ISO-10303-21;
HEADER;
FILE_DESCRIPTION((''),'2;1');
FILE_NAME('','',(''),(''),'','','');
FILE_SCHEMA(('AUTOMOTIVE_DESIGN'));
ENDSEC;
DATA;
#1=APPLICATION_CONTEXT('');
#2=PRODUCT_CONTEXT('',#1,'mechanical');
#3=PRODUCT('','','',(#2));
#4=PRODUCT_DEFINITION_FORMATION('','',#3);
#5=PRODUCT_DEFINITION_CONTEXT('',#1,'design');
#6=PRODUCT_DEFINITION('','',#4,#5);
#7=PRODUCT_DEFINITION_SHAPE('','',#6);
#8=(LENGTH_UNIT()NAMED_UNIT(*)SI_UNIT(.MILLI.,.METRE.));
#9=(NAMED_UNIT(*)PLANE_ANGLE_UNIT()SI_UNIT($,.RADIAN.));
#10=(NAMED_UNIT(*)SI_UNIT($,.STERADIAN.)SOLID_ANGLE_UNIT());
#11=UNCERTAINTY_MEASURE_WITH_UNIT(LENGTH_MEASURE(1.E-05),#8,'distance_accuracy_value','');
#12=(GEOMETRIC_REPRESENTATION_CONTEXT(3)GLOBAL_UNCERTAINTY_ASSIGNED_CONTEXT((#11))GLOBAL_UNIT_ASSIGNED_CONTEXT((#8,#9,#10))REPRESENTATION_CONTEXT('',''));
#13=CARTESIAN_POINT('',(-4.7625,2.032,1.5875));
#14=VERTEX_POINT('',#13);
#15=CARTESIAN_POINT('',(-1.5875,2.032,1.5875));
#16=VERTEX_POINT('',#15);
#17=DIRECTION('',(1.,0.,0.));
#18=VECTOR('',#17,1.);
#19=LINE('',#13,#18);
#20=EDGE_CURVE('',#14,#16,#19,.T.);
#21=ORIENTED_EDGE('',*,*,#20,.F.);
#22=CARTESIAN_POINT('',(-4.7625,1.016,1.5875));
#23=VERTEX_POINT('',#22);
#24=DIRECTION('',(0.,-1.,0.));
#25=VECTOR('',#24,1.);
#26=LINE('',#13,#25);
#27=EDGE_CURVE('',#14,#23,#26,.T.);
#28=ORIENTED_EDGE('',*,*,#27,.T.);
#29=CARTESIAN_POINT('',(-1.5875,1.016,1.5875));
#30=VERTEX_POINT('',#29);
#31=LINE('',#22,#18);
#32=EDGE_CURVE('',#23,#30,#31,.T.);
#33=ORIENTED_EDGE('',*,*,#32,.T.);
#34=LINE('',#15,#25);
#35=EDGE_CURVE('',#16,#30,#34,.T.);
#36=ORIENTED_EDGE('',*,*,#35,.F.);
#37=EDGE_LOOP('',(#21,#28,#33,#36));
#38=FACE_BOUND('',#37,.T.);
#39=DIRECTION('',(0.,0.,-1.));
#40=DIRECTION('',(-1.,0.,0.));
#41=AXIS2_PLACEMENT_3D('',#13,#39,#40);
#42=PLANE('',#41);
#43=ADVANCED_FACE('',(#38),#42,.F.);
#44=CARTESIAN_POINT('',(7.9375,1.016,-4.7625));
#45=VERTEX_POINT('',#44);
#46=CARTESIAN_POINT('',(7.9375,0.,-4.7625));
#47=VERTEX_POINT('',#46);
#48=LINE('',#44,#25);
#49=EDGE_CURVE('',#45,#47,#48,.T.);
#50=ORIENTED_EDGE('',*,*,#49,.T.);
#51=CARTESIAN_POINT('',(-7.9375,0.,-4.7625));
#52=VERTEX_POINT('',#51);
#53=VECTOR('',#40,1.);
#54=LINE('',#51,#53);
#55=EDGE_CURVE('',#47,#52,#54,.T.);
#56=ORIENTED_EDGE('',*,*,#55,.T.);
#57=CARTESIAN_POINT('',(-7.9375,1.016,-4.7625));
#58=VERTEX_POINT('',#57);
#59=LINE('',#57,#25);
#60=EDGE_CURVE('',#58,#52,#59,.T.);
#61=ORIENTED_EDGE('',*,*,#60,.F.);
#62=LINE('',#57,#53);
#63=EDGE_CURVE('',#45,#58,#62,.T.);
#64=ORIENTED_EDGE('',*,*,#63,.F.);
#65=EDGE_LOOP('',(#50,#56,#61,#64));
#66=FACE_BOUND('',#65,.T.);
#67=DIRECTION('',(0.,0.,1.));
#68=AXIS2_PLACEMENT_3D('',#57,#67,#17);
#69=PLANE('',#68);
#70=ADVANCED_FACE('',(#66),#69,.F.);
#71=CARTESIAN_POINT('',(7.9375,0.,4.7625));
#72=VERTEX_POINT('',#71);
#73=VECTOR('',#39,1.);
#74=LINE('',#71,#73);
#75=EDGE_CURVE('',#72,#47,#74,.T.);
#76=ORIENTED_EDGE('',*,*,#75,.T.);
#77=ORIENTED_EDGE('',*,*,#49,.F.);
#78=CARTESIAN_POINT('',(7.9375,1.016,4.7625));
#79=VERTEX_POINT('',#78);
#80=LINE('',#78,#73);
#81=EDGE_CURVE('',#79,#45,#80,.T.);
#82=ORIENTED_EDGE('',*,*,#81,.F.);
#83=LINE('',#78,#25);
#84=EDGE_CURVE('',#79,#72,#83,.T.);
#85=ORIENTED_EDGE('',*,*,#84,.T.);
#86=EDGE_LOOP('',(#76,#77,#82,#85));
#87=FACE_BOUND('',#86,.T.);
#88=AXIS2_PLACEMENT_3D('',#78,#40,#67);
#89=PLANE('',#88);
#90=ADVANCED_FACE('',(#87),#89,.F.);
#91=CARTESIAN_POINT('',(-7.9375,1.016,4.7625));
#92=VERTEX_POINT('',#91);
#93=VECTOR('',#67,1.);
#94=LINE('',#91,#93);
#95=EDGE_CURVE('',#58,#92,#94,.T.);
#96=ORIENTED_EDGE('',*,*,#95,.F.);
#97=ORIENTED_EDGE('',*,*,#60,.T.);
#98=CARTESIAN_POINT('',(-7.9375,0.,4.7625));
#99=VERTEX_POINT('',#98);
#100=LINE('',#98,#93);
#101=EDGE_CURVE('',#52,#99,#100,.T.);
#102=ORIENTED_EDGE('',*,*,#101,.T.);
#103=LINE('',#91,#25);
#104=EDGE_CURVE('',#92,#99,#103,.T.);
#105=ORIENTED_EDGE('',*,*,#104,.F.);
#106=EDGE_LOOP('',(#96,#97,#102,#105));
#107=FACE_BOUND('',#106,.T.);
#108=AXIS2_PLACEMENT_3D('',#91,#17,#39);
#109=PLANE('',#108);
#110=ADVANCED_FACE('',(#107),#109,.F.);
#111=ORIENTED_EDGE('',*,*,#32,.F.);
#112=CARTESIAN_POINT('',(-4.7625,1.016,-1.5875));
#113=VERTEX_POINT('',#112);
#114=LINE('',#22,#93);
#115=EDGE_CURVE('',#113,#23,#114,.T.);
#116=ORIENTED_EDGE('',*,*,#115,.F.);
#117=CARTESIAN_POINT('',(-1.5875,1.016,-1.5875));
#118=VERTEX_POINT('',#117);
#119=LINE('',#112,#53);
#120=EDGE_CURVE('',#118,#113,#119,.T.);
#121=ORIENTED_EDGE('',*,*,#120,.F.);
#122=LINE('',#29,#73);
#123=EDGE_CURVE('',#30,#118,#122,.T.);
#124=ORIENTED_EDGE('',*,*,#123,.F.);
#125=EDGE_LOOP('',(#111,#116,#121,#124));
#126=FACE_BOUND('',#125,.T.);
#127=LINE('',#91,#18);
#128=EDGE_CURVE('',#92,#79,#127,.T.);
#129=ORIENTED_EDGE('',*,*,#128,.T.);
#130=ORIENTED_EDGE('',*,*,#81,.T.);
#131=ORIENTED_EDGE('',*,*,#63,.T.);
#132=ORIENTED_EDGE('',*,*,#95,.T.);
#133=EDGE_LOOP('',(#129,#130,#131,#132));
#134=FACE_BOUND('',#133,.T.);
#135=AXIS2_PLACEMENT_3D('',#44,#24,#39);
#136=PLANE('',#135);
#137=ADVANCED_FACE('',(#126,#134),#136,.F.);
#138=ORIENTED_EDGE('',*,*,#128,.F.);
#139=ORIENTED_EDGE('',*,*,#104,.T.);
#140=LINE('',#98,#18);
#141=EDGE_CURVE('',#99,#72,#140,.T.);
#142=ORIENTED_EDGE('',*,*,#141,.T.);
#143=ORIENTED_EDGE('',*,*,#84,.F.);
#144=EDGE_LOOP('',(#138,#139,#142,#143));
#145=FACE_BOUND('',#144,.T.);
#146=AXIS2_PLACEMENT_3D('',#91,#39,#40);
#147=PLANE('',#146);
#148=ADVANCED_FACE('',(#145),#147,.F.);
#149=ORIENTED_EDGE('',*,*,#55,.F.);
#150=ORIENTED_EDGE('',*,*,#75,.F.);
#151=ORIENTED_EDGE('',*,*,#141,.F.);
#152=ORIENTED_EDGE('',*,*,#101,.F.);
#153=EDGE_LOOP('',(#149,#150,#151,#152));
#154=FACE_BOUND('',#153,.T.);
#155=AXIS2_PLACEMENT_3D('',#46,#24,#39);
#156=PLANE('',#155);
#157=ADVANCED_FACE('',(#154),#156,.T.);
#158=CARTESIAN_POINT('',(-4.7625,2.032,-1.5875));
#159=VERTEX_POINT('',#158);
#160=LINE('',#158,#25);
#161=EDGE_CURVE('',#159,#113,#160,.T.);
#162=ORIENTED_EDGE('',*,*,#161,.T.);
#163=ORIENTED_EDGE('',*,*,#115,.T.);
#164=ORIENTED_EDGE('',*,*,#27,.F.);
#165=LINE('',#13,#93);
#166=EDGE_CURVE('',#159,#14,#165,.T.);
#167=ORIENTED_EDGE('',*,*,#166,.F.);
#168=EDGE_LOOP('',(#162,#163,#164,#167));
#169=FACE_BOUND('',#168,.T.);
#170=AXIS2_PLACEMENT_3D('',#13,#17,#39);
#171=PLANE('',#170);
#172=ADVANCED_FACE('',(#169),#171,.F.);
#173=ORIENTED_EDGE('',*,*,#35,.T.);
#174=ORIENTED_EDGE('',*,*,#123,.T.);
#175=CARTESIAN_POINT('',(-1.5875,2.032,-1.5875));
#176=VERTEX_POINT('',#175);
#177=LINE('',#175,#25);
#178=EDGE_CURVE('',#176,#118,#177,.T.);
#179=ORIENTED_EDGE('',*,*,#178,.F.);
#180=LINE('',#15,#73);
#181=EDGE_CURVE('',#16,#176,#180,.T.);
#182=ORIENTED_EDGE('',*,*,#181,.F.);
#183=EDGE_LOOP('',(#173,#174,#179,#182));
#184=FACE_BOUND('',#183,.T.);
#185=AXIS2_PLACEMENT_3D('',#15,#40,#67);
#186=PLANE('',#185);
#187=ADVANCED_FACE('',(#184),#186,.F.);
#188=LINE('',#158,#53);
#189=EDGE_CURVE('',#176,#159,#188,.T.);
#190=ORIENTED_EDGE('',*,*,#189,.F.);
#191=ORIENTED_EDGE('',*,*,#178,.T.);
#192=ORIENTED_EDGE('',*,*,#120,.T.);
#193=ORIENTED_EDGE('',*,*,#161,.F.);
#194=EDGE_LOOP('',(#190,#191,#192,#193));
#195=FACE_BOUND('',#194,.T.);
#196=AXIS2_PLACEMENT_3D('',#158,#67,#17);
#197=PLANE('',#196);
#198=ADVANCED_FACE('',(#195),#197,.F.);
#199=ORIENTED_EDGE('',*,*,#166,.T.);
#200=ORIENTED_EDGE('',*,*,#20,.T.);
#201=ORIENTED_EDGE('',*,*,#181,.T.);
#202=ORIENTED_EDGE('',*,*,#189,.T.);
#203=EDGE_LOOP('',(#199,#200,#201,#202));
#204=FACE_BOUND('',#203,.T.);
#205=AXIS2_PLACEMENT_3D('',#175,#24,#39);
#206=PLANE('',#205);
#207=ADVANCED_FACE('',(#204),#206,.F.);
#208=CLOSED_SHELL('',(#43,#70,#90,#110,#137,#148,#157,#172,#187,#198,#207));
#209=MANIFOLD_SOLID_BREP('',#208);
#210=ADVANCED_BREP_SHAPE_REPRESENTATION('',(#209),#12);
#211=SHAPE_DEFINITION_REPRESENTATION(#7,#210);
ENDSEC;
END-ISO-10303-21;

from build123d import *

# Parameters (mm, degrees)
SKETCH1_W      = 15.875
SKETCH1_H      = 9.525
EXTRUDE1_DEPTH = 1.016
SKETCH2_W      = 3.175
SKETCH2_H      = 3.175
EXTRUDE2_DEPTH = 1.016


with BuildPart() as part:
    # Sketch1 → Extrude1 (new body)
    with BuildSketch(Plane(origin=(0, 0, 0), x_dir=(1, 0, 0), z_dir=(0, 1, 0))):
        Rectangle(SKETCH1_W, SKETCH1_H)
    extrude(amount=EXTRUDE1_DEPTH)

    # Sketch2 → Extrude2 (add)
    with BuildSketch(Plane(origin=(0, 1.016, 0), x_dir=(-1, 0, 0), z_dir=(0, 1, 0))):
        with Locations((3.175, 0)):
            Rectangle(SKETCH2_W, SKETCH2_H)
    extrude(amount=EXTRUDE2_DEPTH)


solid = part.part
